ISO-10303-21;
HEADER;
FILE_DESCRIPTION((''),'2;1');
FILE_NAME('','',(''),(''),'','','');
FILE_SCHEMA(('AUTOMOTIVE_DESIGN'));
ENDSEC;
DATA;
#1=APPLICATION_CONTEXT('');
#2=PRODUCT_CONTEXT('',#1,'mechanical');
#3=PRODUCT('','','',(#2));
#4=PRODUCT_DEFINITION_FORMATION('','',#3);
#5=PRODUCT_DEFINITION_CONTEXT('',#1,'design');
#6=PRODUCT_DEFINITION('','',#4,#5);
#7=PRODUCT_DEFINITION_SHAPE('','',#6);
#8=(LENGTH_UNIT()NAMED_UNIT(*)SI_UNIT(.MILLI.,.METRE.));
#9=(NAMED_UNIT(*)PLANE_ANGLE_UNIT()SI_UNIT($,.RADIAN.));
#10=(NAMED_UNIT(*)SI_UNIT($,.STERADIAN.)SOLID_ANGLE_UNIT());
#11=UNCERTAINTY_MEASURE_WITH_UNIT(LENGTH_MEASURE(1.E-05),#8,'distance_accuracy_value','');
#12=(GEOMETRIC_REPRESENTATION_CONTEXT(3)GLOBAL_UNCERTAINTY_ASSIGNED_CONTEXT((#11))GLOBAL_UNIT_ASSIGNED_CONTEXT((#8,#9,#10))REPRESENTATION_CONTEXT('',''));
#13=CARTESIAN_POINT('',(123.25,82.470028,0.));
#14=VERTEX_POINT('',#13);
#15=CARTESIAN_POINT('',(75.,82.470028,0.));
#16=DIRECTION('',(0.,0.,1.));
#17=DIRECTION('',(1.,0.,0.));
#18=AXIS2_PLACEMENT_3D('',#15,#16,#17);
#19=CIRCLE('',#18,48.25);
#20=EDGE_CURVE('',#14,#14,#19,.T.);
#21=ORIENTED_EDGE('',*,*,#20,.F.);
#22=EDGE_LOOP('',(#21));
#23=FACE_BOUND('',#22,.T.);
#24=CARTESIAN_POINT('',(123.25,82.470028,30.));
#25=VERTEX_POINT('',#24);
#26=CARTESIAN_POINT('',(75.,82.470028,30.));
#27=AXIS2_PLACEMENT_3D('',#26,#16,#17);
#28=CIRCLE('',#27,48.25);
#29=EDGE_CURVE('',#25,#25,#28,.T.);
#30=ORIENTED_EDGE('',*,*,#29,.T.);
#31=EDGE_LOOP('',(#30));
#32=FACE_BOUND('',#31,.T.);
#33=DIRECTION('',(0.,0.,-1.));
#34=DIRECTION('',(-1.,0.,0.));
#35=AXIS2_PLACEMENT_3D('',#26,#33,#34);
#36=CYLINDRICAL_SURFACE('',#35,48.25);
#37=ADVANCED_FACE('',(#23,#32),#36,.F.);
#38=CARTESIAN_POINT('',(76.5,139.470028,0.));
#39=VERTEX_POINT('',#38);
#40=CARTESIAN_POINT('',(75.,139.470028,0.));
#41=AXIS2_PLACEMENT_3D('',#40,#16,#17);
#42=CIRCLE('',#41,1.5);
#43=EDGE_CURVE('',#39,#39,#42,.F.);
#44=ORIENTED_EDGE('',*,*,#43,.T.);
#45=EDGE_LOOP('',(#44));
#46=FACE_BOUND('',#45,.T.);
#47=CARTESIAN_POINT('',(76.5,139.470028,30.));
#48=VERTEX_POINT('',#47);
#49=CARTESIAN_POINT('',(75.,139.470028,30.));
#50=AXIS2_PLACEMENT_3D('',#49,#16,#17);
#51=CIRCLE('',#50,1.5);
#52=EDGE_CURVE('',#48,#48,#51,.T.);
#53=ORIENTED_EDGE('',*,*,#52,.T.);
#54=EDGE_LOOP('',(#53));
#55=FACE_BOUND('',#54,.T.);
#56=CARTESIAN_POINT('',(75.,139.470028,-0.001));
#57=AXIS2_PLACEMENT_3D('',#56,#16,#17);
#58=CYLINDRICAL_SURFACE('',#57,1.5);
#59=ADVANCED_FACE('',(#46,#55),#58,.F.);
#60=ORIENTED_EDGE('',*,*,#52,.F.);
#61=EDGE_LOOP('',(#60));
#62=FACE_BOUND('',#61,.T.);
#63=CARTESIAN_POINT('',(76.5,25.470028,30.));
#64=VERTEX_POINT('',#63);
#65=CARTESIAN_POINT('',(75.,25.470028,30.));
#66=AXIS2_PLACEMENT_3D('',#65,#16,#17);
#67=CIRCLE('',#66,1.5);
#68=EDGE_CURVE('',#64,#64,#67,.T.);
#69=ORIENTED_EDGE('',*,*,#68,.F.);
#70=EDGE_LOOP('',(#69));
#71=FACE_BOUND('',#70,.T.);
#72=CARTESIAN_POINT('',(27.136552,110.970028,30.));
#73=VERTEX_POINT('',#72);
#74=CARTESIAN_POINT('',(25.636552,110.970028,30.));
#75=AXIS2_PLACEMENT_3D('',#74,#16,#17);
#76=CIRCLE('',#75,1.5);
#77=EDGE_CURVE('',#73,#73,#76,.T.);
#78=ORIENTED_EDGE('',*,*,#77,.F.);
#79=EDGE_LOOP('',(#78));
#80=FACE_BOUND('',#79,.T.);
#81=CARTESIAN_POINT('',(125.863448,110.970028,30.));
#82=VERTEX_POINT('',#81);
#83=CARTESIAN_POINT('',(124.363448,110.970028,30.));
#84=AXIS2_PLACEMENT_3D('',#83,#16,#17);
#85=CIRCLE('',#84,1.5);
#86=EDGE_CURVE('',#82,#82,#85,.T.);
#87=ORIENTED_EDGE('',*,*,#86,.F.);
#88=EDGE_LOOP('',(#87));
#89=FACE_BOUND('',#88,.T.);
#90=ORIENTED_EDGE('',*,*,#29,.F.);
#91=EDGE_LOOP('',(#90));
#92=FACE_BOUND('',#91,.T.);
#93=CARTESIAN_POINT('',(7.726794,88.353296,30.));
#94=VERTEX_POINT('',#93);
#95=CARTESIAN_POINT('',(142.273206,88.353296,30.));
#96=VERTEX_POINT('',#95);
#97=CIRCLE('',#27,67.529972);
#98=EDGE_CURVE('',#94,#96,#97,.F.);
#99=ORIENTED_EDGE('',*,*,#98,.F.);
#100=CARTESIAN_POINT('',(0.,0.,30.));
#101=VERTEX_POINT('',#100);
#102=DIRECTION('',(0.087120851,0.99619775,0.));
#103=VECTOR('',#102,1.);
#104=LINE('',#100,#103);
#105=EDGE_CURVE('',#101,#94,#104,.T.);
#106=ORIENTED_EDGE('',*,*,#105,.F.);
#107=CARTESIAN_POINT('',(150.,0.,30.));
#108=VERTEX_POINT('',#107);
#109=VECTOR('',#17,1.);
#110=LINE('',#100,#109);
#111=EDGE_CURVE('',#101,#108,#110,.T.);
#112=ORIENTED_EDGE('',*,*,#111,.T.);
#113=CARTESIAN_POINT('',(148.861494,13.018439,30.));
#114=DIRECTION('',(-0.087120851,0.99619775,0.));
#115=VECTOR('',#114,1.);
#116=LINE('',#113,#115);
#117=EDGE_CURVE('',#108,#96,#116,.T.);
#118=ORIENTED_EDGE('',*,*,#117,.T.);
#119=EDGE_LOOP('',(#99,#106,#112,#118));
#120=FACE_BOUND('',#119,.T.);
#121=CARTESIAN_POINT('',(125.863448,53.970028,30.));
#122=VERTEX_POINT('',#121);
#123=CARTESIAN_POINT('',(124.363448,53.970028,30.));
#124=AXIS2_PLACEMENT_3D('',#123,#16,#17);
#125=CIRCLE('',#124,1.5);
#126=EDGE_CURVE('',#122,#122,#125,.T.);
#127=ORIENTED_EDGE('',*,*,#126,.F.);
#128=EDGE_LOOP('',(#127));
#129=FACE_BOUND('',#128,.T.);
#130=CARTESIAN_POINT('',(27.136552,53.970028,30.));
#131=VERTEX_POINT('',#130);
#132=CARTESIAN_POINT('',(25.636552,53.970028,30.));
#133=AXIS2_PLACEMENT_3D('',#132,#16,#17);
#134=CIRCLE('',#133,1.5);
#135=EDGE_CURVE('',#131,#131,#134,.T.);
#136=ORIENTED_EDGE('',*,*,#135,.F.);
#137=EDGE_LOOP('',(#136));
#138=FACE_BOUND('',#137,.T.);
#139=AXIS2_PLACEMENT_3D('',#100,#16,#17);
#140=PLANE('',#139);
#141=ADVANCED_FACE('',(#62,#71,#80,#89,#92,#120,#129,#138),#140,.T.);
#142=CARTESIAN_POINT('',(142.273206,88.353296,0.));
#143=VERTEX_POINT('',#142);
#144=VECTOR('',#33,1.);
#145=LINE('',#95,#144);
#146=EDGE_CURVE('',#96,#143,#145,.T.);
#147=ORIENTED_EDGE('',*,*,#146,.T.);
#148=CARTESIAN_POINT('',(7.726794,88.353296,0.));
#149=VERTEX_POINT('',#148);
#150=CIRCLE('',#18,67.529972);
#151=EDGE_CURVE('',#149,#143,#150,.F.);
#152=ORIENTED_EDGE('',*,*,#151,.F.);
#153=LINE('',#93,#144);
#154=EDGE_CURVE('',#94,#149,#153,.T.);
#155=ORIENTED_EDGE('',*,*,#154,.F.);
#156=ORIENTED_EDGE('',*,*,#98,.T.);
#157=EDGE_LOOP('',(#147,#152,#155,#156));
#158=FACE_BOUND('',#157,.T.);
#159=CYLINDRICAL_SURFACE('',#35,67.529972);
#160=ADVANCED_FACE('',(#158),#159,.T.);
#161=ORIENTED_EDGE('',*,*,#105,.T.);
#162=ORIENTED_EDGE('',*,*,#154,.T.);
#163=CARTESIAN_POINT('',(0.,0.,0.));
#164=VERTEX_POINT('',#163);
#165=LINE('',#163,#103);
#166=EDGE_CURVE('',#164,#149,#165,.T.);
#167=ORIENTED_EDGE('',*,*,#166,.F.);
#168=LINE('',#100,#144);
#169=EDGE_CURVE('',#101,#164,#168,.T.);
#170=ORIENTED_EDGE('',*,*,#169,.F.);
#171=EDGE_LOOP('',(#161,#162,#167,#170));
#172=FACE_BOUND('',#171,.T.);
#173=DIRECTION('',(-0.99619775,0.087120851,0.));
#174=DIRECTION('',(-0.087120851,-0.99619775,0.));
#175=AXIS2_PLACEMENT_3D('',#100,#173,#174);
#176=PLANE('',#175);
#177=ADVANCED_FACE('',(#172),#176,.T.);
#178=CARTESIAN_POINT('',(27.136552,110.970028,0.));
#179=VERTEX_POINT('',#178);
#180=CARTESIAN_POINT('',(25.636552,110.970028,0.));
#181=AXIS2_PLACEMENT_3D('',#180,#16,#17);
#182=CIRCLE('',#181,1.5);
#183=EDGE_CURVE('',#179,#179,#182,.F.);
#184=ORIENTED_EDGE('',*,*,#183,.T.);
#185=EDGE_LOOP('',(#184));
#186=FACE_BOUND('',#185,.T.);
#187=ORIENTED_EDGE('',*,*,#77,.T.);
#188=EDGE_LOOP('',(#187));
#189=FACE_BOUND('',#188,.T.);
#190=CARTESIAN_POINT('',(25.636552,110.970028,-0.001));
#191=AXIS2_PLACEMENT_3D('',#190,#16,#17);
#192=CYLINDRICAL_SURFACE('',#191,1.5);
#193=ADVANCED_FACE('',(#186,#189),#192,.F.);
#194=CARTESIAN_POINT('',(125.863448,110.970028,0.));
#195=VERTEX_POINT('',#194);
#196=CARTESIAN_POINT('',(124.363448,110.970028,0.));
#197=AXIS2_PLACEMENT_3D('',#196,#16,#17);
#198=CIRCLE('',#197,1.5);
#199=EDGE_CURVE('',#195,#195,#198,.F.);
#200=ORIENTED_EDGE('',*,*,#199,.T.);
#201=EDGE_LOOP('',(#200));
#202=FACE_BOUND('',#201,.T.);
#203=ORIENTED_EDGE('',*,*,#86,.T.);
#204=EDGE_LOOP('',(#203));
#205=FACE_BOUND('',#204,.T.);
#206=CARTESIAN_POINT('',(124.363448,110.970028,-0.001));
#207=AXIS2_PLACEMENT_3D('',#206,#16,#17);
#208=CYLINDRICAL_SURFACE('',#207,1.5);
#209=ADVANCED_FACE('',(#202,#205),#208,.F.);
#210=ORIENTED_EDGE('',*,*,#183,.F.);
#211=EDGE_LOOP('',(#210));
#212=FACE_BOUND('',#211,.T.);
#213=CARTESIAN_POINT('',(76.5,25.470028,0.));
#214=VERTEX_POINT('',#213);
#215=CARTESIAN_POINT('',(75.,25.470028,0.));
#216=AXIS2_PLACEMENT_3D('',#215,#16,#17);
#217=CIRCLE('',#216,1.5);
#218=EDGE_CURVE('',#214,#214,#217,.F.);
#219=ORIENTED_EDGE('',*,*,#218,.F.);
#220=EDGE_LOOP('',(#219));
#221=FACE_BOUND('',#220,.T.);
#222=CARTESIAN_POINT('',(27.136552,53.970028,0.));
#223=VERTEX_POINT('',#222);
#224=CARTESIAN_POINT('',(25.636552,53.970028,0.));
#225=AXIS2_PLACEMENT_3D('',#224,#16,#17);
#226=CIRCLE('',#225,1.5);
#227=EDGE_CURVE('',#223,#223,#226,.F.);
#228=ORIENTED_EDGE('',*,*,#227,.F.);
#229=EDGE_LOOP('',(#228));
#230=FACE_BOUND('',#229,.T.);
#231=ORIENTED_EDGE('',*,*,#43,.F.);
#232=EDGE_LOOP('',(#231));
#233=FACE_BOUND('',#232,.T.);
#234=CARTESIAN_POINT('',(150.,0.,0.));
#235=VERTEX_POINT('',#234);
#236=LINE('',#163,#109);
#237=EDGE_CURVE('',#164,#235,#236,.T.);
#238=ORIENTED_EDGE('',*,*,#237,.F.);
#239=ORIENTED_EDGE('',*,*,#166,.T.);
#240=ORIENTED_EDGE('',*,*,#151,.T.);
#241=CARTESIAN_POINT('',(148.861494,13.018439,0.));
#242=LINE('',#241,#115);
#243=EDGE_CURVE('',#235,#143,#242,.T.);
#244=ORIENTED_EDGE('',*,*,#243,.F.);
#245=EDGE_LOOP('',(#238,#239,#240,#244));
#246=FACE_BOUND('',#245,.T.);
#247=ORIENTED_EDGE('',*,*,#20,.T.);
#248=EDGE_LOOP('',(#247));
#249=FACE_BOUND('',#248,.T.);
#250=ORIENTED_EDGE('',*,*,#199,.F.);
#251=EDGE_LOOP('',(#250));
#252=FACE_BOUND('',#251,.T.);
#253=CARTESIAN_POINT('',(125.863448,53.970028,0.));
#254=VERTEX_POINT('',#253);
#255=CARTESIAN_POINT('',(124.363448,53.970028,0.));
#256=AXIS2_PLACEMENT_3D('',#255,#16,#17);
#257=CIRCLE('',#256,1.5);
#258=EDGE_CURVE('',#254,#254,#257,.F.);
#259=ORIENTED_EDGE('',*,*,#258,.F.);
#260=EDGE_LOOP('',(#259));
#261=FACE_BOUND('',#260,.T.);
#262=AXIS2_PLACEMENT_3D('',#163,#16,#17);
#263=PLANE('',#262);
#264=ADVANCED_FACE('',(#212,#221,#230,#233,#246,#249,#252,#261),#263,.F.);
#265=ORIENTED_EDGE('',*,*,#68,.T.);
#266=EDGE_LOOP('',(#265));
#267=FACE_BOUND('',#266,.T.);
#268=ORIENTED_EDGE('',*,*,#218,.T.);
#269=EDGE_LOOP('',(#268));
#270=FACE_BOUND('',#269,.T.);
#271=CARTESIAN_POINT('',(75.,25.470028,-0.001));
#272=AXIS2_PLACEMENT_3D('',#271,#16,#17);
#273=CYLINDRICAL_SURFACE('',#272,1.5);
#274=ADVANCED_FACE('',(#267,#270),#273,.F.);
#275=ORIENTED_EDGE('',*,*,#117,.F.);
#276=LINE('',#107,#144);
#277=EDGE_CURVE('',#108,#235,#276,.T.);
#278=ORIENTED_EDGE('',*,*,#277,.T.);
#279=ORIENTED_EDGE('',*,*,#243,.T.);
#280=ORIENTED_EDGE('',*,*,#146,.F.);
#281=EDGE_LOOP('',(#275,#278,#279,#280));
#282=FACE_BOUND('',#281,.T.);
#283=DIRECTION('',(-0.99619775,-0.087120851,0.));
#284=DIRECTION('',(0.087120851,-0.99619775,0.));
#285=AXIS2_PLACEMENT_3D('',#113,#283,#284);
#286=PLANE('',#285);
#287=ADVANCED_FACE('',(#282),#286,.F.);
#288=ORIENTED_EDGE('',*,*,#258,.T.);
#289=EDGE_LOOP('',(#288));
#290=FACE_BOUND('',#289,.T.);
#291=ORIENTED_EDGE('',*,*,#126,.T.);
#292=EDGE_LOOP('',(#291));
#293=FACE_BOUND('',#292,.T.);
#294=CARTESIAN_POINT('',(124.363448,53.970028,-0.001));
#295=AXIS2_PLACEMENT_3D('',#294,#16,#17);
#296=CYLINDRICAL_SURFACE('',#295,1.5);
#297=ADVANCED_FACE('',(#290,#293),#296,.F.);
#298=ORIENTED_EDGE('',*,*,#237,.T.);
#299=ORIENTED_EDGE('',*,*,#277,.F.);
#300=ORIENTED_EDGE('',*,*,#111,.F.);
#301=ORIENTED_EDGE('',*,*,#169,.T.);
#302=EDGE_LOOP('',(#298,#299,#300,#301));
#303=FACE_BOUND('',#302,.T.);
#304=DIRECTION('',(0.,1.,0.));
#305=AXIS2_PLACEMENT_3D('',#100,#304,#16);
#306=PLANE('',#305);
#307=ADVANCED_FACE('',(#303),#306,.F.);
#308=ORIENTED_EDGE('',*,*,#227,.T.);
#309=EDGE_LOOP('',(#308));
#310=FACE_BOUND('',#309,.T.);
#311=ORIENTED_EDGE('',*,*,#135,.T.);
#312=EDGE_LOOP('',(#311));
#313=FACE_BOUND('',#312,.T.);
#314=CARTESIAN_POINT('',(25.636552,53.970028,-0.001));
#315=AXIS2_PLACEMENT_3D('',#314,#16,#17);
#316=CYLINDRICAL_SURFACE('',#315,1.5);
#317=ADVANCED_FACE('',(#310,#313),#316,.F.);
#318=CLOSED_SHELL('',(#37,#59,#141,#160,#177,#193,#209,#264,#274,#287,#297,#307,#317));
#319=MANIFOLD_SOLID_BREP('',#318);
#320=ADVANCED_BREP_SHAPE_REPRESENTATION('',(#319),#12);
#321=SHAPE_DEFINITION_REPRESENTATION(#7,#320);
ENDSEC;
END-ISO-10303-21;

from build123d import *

# Parameters (mm, degrees)
EXTRUDE_1_DEPTH     = 30
CUT_EXTRUDE_1_REACH = 216.243
SKETCH_2_R          = 1.5


with BuildPart() as part:
    # 草图1 → 凸台-拉伸1 (new body)
    with BuildSketch(Plane.XY):
        with BuildLine():
            Line((7.726793577, 88.353296402), (0, 0))
            Line((0, 0), (75, 0))
            Line((75, 0), (75, 34.220027747))
            ThreePointArc((75, 34.220027747), (26.75, 82.470027747), (75, 130.720027747))
            Line((75, 130.720027747), (75, 150))
            ThreePointArc((75, 150), (29.376540117, 132.257546873), (7.726793577, 88.353296402))
        make_face()
        with BuildLine():
            Line((75, 34.220027747), (75, 0))
            Line((75, 0), (150, 0))
            Line((150, 0), (142.273206423, 88.353296402))
            ThreePointArc((142.273206423, 88.353296402), (120.623459883, 132.257546873), (75, 150))
            Line((75, 150), (75, 130.720027747))
            ThreePointArc((75, 130.720027747), (109.117902192, 116.587929939), (123.25, 82.470027747))
            ThreePointArc((123.25, 82.470027747), (109.117902192, 48.352125555), (75, 34.220027747))
        make_face()
    extrude(amount=EXTRUDE_1_DEPTH)

    # 草图2 → 切除-拉伸1 (cut, up to next)
    with BuildSketch(Plane.XY.offset(30), mode=Mode.PRIVATE) as cut_extrude_1_sk1:
        with Locations((75, 139.470027747)):
            Circle(SKETCH_2_R)
    cut_extrude_1_tool1 = extrude(cut_extrude_1_sk1.sketch, amount=-CUT_EXTRUDE_1_REACH, mode=Mode.PRIVATE) & part.part
    # 草图2 → 切除-拉伸1 (cut, up to next)
    with BuildSketch(Plane.XY.offset(30), mode=Mode.PRIVATE) as cut_extrude_1_sk2:
        with Locations((124.363448016, 110.970027747)):
            Circle(SKETCH_2_R)
    cut_extrude_1_tool2 = extrude(cut_extrude_1_sk2.sketch, amount=-CUT_EXTRUDE_1_REACH, mode=Mode.PRIVATE) & part.part
    # 草图2 → 切除-拉伸1 (cut, up to next)
    with BuildSketch(Plane.XY.offset(30), mode=Mode.PRIVATE) as cut_extrude_1_sk3:
        with Locations((124.363448016, 53.970027747)):
            Circle(SKETCH_2_R)
    cut_extrude_1_tool3 = extrude(cut_extrude_1_sk3.sketch, amount=-CUT_EXTRUDE_1_REACH, mode=Mode.PRIVATE) & part.part
    # 草图2 → 切除-拉伸1 (cut, up to next)
    with BuildSketch(Plane.XY.offset(30), mode=Mode.PRIVATE) as cut_extrude_1_sk4:
        with Locations((75, 25.470027747)):
            Circle(SKETCH_2_R)
    cut_extrude_1_tool4 = extrude(cut_extrude_1_sk4.sketch, amount=-CUT_EXTRUDE_1_REACH, mode=Mode.PRIVATE) & part.part
    # 草图2 → 切除-拉伸1 (cut, up to next)
    with BuildSketch(Plane.XY.offset(30), mode=Mode.PRIVATE) as cut_extrude_1_sk5:
        with Locations((25.636551984, 53.970027747)):
            Circle(SKETCH_2_R)
    cut_extrude_1_tool5 = extrude(cut_extrude_1_sk5.sketch, amount=-CUT_EXTRUDE_1_REACH, mode=Mode.PRIVATE) & part.part
    # 草图2 → 切除-拉伸1 (cut, up to next)
    with BuildSketch(Plane.XY.offset(30), mode=Mode.PRIVATE) as cut_extrude_1_sk6:
        with Locations((25.636551984, 110.970027747)):
            Circle(SKETCH_2_R)
    cut_extrude_1_tool6 = extrude(cut_extrude_1_sk6.sketch, amount=-CUT_EXTRUDE_1_REACH, mode=Mode.PRIVATE) & part.part
    add(cut_extrude_1_tool1.solids().sort_by_distance((75, 139.470028, 30))[0], mode=Mode.SUBTRACT)
    add(cut_extrude_1_tool2.solids().sort_by_distance((124.363448, 110.970028, 30))[0], mode=Mode.SUBTRACT)
    add(cut_extrude_1_tool3.solids().sort_by_distance((124.363448, 53.970028, 30))[0], mode=Mode.SUBTRACT)
    add(cut_extrude_1_tool4.solids().sort_by_distance((75, 25.470028, 30))[0], mode=Mode.SUBTRACT)
    add(cut_extrude_1_tool5.solids().sort_by_distance((25.636552, 53.970028, 30))[0], mode=Mode.SUBTRACT)
    add(cut_extrude_1_tool6.solids().sort_by_distance((25.636552, 110.970028, 30))[0], mode=Mode.SUBTRACT)


solid = part.part
